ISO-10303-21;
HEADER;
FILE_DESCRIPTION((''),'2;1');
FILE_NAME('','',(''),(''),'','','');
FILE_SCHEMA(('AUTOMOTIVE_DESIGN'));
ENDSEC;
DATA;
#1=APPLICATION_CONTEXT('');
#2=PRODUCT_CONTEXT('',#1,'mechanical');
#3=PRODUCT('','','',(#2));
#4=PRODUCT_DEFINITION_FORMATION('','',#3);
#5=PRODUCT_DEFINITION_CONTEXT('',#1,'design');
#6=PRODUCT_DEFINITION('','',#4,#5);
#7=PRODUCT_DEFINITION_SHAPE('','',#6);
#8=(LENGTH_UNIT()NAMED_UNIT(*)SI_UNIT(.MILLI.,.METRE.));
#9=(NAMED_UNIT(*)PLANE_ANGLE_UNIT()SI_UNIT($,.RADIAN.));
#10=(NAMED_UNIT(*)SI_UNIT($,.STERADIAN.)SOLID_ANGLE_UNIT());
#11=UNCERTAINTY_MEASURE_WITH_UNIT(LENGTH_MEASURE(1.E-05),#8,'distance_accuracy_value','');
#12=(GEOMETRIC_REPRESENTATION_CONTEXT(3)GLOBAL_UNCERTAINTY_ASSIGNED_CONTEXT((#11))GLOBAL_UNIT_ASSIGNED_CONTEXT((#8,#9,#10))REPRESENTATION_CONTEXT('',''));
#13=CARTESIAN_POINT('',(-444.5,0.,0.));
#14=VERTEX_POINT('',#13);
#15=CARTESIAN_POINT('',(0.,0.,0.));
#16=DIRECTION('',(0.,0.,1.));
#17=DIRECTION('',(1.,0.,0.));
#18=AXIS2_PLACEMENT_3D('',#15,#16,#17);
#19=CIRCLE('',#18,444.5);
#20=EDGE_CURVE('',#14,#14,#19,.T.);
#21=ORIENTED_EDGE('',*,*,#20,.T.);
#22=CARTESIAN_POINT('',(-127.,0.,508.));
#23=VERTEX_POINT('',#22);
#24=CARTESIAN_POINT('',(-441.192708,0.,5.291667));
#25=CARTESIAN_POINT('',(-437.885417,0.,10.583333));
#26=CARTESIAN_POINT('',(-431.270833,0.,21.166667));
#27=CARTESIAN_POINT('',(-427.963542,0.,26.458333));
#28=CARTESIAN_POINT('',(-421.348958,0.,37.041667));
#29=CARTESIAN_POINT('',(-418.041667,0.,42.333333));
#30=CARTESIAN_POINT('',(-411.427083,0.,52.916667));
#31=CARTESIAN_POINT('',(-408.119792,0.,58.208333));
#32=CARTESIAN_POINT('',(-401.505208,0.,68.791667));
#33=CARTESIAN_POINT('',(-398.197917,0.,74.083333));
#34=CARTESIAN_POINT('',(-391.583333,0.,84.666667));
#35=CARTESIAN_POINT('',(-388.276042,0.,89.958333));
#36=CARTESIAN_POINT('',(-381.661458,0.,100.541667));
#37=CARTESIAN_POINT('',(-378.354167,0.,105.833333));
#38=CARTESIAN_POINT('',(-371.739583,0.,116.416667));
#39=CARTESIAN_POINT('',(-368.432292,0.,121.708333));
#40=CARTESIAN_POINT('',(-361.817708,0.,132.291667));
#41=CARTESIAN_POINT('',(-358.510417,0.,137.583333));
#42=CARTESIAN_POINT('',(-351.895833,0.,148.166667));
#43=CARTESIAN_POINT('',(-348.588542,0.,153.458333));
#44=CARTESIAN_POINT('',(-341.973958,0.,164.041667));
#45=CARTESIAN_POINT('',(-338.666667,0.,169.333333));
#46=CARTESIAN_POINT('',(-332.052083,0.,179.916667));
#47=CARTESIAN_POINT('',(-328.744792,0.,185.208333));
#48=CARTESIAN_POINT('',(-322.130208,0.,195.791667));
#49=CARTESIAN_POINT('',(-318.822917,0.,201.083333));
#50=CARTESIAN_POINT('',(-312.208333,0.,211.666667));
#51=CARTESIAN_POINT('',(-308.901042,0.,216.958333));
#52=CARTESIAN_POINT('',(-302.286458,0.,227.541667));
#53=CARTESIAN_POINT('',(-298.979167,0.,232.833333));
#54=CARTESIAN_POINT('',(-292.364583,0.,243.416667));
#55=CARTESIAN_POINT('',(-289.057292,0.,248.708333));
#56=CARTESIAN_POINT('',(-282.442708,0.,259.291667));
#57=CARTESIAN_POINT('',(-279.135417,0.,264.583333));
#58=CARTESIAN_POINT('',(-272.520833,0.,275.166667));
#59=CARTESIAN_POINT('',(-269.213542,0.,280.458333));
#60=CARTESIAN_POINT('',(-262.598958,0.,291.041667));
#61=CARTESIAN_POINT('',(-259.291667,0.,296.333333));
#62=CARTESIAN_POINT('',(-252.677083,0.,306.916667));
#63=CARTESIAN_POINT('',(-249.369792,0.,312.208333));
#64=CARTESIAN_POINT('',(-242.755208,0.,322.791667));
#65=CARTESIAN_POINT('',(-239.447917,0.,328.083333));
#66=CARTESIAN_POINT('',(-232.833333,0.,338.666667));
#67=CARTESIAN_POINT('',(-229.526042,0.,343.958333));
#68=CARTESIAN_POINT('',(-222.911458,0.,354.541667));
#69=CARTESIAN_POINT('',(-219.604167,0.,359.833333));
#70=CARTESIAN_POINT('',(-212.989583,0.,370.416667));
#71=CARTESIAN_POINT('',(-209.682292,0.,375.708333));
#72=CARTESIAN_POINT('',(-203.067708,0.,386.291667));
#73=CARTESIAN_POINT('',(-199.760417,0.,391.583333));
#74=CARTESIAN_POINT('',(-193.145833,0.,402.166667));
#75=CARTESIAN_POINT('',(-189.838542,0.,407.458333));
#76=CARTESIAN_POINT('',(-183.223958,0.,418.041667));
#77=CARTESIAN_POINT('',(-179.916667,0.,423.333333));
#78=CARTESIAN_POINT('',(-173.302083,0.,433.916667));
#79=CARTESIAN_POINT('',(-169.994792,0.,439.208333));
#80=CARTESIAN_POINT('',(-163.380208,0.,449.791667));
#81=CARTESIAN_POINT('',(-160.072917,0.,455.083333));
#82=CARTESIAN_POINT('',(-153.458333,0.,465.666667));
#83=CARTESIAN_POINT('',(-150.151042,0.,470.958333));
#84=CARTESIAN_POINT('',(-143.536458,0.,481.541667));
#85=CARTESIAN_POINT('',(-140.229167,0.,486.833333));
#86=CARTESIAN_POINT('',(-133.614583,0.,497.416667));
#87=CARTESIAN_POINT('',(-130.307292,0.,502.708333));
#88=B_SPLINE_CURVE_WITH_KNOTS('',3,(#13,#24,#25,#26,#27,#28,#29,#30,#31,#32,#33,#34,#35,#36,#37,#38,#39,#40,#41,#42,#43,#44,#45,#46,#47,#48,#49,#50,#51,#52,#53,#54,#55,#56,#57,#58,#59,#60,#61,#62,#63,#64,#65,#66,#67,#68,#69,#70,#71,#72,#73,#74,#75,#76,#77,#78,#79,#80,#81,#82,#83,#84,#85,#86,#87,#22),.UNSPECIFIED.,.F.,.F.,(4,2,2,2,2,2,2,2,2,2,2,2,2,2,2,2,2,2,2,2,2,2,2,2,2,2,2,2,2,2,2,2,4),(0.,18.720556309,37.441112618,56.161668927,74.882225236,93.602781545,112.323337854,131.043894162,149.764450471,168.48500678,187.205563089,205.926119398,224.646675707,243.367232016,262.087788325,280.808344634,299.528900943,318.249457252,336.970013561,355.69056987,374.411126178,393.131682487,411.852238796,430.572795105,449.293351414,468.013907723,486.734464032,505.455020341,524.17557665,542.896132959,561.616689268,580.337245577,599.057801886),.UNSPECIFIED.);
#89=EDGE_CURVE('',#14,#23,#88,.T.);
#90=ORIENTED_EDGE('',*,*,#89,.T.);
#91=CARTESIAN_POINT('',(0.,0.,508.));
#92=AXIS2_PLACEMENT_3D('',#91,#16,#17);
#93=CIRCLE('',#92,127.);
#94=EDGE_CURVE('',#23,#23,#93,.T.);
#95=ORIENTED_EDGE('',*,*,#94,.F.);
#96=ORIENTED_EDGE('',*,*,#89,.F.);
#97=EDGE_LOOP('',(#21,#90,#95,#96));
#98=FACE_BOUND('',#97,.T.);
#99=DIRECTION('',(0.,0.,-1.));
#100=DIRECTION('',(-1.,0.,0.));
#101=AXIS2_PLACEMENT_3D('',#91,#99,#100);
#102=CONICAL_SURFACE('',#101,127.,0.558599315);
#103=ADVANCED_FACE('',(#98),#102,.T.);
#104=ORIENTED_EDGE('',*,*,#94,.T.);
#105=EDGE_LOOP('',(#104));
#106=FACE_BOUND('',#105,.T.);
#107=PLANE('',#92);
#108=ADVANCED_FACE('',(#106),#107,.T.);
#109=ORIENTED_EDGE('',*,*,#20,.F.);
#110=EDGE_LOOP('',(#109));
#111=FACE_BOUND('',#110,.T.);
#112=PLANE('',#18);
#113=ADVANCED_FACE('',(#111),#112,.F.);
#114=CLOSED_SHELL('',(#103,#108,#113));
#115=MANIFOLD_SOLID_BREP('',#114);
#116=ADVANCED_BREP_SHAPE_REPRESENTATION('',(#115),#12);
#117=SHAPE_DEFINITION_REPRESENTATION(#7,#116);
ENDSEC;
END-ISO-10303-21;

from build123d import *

# Parameters (mm, degrees)
SKETCH1_R = 444.5
SKETCH2_R = 127


with BuildPart() as part:
    # Sketch1 → Loft1 section 0
    with BuildSketch(Plane.XY):
        Circle(SKETCH1_R)
    # Sketch2 → Loft1 section 1
    with BuildSketch(Plane.XY.offset(508)):
        Circle(SKETCH2_R)
    loft()


solid = part.part
